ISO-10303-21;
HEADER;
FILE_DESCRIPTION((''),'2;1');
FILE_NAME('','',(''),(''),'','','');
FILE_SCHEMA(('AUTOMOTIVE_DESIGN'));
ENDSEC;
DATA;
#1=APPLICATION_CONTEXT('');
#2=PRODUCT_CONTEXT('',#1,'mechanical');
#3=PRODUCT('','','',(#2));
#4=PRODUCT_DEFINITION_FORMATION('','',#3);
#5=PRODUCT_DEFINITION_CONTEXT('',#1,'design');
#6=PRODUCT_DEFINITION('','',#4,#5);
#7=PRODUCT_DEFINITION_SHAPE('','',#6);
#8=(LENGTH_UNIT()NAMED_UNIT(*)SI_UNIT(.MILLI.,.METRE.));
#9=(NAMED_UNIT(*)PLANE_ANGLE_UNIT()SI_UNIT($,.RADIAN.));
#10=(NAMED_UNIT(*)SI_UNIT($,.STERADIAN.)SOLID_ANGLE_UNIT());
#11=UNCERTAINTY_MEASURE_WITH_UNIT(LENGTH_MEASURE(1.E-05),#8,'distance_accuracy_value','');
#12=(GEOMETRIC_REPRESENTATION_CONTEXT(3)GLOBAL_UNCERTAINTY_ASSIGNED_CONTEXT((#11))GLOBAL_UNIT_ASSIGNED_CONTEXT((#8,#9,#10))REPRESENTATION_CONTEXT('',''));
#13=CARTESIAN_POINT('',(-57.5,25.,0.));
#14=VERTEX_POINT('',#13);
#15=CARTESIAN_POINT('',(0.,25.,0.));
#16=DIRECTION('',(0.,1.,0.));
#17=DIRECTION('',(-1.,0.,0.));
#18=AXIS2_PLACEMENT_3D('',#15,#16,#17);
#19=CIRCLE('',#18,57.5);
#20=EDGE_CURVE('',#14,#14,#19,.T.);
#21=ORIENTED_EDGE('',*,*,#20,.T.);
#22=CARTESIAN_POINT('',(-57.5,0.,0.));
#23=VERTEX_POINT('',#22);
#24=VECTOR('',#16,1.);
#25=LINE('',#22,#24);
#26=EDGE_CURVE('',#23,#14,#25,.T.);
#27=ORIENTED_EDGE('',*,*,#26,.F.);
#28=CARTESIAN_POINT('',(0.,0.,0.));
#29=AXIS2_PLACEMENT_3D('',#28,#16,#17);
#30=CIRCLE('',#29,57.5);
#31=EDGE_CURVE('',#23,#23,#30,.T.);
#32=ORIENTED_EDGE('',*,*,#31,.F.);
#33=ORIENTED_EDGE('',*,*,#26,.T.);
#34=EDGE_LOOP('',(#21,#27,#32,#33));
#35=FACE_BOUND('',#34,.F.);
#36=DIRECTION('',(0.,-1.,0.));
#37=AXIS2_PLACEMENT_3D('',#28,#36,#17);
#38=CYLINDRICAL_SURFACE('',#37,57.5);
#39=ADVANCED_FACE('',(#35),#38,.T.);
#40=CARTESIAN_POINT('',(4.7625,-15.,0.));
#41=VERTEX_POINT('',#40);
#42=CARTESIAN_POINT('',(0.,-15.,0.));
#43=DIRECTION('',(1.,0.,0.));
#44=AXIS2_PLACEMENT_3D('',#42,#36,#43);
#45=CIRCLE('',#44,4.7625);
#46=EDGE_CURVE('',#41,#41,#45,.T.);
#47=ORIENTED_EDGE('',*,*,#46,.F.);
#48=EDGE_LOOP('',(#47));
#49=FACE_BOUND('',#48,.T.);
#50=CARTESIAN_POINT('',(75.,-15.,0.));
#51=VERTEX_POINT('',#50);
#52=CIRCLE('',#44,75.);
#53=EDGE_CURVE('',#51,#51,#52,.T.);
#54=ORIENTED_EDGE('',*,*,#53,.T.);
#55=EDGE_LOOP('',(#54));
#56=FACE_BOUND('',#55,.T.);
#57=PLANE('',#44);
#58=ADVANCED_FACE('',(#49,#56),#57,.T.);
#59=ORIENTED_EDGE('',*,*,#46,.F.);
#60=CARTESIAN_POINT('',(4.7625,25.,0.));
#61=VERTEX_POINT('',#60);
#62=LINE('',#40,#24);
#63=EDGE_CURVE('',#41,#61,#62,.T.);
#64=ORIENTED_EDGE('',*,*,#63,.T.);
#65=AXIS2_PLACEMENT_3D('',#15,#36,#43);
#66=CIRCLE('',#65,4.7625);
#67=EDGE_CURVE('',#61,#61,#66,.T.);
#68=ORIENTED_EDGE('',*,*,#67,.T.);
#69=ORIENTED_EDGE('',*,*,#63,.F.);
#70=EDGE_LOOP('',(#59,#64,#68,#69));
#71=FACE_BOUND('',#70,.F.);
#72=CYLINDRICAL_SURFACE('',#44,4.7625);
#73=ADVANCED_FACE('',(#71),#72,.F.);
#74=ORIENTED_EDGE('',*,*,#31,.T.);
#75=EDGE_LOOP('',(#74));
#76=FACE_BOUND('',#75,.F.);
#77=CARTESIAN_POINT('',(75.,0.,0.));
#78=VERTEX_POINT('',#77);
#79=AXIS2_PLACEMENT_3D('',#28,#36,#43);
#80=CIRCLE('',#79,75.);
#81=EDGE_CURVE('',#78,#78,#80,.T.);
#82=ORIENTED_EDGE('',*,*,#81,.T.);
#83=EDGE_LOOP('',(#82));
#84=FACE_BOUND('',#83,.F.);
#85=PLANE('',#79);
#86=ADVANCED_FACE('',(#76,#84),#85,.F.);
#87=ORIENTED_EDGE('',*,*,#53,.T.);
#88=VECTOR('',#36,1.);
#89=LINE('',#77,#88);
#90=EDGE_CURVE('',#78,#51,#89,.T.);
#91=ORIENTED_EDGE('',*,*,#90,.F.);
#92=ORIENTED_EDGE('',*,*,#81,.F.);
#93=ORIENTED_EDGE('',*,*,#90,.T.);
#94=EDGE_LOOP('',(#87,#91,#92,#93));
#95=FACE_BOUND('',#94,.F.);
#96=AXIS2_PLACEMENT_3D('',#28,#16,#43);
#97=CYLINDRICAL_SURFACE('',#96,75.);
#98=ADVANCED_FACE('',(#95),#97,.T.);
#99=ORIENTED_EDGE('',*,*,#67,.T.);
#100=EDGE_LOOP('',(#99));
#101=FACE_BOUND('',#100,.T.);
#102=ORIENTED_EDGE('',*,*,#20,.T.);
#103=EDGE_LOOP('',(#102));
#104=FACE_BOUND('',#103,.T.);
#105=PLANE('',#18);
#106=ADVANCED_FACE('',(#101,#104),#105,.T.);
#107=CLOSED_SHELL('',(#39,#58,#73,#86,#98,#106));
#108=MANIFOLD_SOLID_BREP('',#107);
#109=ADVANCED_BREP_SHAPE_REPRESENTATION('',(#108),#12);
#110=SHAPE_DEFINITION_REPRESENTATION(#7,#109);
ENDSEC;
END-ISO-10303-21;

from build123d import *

# Parameters (mm, degrees)
F0_R     = 75
F1_DEPTH = 15
F2_R     = 57.5
F3_DEPTH = 25
F4_R     = 4.7625
F5_DEPTH = 40.001


with BuildPart() as f1:
    # F0 (on Front) → F1 (new body)
    with BuildSketch(Plane.XZ):
        Circle(F0_R)
    extrude(amount=F1_DEPTH)

    # F2 (on face) → F3 (join)
    with BuildSketch(Plane(origin=(0, 0, 0), x_dir=(-1, 0, 0), z_dir=(0, 1, 0))):
        Circle(F2_R)
    extrude(amount=F3_DEPTH)

    # F4 (on face) → F5 (cut, through all)
    with BuildSketch(Plane.XZ.offset(15)):
        Circle(F4_R)
    extrude(amount=-F5_DEPTH, mode=Mode.SUBTRACT)


solid = f1.part
